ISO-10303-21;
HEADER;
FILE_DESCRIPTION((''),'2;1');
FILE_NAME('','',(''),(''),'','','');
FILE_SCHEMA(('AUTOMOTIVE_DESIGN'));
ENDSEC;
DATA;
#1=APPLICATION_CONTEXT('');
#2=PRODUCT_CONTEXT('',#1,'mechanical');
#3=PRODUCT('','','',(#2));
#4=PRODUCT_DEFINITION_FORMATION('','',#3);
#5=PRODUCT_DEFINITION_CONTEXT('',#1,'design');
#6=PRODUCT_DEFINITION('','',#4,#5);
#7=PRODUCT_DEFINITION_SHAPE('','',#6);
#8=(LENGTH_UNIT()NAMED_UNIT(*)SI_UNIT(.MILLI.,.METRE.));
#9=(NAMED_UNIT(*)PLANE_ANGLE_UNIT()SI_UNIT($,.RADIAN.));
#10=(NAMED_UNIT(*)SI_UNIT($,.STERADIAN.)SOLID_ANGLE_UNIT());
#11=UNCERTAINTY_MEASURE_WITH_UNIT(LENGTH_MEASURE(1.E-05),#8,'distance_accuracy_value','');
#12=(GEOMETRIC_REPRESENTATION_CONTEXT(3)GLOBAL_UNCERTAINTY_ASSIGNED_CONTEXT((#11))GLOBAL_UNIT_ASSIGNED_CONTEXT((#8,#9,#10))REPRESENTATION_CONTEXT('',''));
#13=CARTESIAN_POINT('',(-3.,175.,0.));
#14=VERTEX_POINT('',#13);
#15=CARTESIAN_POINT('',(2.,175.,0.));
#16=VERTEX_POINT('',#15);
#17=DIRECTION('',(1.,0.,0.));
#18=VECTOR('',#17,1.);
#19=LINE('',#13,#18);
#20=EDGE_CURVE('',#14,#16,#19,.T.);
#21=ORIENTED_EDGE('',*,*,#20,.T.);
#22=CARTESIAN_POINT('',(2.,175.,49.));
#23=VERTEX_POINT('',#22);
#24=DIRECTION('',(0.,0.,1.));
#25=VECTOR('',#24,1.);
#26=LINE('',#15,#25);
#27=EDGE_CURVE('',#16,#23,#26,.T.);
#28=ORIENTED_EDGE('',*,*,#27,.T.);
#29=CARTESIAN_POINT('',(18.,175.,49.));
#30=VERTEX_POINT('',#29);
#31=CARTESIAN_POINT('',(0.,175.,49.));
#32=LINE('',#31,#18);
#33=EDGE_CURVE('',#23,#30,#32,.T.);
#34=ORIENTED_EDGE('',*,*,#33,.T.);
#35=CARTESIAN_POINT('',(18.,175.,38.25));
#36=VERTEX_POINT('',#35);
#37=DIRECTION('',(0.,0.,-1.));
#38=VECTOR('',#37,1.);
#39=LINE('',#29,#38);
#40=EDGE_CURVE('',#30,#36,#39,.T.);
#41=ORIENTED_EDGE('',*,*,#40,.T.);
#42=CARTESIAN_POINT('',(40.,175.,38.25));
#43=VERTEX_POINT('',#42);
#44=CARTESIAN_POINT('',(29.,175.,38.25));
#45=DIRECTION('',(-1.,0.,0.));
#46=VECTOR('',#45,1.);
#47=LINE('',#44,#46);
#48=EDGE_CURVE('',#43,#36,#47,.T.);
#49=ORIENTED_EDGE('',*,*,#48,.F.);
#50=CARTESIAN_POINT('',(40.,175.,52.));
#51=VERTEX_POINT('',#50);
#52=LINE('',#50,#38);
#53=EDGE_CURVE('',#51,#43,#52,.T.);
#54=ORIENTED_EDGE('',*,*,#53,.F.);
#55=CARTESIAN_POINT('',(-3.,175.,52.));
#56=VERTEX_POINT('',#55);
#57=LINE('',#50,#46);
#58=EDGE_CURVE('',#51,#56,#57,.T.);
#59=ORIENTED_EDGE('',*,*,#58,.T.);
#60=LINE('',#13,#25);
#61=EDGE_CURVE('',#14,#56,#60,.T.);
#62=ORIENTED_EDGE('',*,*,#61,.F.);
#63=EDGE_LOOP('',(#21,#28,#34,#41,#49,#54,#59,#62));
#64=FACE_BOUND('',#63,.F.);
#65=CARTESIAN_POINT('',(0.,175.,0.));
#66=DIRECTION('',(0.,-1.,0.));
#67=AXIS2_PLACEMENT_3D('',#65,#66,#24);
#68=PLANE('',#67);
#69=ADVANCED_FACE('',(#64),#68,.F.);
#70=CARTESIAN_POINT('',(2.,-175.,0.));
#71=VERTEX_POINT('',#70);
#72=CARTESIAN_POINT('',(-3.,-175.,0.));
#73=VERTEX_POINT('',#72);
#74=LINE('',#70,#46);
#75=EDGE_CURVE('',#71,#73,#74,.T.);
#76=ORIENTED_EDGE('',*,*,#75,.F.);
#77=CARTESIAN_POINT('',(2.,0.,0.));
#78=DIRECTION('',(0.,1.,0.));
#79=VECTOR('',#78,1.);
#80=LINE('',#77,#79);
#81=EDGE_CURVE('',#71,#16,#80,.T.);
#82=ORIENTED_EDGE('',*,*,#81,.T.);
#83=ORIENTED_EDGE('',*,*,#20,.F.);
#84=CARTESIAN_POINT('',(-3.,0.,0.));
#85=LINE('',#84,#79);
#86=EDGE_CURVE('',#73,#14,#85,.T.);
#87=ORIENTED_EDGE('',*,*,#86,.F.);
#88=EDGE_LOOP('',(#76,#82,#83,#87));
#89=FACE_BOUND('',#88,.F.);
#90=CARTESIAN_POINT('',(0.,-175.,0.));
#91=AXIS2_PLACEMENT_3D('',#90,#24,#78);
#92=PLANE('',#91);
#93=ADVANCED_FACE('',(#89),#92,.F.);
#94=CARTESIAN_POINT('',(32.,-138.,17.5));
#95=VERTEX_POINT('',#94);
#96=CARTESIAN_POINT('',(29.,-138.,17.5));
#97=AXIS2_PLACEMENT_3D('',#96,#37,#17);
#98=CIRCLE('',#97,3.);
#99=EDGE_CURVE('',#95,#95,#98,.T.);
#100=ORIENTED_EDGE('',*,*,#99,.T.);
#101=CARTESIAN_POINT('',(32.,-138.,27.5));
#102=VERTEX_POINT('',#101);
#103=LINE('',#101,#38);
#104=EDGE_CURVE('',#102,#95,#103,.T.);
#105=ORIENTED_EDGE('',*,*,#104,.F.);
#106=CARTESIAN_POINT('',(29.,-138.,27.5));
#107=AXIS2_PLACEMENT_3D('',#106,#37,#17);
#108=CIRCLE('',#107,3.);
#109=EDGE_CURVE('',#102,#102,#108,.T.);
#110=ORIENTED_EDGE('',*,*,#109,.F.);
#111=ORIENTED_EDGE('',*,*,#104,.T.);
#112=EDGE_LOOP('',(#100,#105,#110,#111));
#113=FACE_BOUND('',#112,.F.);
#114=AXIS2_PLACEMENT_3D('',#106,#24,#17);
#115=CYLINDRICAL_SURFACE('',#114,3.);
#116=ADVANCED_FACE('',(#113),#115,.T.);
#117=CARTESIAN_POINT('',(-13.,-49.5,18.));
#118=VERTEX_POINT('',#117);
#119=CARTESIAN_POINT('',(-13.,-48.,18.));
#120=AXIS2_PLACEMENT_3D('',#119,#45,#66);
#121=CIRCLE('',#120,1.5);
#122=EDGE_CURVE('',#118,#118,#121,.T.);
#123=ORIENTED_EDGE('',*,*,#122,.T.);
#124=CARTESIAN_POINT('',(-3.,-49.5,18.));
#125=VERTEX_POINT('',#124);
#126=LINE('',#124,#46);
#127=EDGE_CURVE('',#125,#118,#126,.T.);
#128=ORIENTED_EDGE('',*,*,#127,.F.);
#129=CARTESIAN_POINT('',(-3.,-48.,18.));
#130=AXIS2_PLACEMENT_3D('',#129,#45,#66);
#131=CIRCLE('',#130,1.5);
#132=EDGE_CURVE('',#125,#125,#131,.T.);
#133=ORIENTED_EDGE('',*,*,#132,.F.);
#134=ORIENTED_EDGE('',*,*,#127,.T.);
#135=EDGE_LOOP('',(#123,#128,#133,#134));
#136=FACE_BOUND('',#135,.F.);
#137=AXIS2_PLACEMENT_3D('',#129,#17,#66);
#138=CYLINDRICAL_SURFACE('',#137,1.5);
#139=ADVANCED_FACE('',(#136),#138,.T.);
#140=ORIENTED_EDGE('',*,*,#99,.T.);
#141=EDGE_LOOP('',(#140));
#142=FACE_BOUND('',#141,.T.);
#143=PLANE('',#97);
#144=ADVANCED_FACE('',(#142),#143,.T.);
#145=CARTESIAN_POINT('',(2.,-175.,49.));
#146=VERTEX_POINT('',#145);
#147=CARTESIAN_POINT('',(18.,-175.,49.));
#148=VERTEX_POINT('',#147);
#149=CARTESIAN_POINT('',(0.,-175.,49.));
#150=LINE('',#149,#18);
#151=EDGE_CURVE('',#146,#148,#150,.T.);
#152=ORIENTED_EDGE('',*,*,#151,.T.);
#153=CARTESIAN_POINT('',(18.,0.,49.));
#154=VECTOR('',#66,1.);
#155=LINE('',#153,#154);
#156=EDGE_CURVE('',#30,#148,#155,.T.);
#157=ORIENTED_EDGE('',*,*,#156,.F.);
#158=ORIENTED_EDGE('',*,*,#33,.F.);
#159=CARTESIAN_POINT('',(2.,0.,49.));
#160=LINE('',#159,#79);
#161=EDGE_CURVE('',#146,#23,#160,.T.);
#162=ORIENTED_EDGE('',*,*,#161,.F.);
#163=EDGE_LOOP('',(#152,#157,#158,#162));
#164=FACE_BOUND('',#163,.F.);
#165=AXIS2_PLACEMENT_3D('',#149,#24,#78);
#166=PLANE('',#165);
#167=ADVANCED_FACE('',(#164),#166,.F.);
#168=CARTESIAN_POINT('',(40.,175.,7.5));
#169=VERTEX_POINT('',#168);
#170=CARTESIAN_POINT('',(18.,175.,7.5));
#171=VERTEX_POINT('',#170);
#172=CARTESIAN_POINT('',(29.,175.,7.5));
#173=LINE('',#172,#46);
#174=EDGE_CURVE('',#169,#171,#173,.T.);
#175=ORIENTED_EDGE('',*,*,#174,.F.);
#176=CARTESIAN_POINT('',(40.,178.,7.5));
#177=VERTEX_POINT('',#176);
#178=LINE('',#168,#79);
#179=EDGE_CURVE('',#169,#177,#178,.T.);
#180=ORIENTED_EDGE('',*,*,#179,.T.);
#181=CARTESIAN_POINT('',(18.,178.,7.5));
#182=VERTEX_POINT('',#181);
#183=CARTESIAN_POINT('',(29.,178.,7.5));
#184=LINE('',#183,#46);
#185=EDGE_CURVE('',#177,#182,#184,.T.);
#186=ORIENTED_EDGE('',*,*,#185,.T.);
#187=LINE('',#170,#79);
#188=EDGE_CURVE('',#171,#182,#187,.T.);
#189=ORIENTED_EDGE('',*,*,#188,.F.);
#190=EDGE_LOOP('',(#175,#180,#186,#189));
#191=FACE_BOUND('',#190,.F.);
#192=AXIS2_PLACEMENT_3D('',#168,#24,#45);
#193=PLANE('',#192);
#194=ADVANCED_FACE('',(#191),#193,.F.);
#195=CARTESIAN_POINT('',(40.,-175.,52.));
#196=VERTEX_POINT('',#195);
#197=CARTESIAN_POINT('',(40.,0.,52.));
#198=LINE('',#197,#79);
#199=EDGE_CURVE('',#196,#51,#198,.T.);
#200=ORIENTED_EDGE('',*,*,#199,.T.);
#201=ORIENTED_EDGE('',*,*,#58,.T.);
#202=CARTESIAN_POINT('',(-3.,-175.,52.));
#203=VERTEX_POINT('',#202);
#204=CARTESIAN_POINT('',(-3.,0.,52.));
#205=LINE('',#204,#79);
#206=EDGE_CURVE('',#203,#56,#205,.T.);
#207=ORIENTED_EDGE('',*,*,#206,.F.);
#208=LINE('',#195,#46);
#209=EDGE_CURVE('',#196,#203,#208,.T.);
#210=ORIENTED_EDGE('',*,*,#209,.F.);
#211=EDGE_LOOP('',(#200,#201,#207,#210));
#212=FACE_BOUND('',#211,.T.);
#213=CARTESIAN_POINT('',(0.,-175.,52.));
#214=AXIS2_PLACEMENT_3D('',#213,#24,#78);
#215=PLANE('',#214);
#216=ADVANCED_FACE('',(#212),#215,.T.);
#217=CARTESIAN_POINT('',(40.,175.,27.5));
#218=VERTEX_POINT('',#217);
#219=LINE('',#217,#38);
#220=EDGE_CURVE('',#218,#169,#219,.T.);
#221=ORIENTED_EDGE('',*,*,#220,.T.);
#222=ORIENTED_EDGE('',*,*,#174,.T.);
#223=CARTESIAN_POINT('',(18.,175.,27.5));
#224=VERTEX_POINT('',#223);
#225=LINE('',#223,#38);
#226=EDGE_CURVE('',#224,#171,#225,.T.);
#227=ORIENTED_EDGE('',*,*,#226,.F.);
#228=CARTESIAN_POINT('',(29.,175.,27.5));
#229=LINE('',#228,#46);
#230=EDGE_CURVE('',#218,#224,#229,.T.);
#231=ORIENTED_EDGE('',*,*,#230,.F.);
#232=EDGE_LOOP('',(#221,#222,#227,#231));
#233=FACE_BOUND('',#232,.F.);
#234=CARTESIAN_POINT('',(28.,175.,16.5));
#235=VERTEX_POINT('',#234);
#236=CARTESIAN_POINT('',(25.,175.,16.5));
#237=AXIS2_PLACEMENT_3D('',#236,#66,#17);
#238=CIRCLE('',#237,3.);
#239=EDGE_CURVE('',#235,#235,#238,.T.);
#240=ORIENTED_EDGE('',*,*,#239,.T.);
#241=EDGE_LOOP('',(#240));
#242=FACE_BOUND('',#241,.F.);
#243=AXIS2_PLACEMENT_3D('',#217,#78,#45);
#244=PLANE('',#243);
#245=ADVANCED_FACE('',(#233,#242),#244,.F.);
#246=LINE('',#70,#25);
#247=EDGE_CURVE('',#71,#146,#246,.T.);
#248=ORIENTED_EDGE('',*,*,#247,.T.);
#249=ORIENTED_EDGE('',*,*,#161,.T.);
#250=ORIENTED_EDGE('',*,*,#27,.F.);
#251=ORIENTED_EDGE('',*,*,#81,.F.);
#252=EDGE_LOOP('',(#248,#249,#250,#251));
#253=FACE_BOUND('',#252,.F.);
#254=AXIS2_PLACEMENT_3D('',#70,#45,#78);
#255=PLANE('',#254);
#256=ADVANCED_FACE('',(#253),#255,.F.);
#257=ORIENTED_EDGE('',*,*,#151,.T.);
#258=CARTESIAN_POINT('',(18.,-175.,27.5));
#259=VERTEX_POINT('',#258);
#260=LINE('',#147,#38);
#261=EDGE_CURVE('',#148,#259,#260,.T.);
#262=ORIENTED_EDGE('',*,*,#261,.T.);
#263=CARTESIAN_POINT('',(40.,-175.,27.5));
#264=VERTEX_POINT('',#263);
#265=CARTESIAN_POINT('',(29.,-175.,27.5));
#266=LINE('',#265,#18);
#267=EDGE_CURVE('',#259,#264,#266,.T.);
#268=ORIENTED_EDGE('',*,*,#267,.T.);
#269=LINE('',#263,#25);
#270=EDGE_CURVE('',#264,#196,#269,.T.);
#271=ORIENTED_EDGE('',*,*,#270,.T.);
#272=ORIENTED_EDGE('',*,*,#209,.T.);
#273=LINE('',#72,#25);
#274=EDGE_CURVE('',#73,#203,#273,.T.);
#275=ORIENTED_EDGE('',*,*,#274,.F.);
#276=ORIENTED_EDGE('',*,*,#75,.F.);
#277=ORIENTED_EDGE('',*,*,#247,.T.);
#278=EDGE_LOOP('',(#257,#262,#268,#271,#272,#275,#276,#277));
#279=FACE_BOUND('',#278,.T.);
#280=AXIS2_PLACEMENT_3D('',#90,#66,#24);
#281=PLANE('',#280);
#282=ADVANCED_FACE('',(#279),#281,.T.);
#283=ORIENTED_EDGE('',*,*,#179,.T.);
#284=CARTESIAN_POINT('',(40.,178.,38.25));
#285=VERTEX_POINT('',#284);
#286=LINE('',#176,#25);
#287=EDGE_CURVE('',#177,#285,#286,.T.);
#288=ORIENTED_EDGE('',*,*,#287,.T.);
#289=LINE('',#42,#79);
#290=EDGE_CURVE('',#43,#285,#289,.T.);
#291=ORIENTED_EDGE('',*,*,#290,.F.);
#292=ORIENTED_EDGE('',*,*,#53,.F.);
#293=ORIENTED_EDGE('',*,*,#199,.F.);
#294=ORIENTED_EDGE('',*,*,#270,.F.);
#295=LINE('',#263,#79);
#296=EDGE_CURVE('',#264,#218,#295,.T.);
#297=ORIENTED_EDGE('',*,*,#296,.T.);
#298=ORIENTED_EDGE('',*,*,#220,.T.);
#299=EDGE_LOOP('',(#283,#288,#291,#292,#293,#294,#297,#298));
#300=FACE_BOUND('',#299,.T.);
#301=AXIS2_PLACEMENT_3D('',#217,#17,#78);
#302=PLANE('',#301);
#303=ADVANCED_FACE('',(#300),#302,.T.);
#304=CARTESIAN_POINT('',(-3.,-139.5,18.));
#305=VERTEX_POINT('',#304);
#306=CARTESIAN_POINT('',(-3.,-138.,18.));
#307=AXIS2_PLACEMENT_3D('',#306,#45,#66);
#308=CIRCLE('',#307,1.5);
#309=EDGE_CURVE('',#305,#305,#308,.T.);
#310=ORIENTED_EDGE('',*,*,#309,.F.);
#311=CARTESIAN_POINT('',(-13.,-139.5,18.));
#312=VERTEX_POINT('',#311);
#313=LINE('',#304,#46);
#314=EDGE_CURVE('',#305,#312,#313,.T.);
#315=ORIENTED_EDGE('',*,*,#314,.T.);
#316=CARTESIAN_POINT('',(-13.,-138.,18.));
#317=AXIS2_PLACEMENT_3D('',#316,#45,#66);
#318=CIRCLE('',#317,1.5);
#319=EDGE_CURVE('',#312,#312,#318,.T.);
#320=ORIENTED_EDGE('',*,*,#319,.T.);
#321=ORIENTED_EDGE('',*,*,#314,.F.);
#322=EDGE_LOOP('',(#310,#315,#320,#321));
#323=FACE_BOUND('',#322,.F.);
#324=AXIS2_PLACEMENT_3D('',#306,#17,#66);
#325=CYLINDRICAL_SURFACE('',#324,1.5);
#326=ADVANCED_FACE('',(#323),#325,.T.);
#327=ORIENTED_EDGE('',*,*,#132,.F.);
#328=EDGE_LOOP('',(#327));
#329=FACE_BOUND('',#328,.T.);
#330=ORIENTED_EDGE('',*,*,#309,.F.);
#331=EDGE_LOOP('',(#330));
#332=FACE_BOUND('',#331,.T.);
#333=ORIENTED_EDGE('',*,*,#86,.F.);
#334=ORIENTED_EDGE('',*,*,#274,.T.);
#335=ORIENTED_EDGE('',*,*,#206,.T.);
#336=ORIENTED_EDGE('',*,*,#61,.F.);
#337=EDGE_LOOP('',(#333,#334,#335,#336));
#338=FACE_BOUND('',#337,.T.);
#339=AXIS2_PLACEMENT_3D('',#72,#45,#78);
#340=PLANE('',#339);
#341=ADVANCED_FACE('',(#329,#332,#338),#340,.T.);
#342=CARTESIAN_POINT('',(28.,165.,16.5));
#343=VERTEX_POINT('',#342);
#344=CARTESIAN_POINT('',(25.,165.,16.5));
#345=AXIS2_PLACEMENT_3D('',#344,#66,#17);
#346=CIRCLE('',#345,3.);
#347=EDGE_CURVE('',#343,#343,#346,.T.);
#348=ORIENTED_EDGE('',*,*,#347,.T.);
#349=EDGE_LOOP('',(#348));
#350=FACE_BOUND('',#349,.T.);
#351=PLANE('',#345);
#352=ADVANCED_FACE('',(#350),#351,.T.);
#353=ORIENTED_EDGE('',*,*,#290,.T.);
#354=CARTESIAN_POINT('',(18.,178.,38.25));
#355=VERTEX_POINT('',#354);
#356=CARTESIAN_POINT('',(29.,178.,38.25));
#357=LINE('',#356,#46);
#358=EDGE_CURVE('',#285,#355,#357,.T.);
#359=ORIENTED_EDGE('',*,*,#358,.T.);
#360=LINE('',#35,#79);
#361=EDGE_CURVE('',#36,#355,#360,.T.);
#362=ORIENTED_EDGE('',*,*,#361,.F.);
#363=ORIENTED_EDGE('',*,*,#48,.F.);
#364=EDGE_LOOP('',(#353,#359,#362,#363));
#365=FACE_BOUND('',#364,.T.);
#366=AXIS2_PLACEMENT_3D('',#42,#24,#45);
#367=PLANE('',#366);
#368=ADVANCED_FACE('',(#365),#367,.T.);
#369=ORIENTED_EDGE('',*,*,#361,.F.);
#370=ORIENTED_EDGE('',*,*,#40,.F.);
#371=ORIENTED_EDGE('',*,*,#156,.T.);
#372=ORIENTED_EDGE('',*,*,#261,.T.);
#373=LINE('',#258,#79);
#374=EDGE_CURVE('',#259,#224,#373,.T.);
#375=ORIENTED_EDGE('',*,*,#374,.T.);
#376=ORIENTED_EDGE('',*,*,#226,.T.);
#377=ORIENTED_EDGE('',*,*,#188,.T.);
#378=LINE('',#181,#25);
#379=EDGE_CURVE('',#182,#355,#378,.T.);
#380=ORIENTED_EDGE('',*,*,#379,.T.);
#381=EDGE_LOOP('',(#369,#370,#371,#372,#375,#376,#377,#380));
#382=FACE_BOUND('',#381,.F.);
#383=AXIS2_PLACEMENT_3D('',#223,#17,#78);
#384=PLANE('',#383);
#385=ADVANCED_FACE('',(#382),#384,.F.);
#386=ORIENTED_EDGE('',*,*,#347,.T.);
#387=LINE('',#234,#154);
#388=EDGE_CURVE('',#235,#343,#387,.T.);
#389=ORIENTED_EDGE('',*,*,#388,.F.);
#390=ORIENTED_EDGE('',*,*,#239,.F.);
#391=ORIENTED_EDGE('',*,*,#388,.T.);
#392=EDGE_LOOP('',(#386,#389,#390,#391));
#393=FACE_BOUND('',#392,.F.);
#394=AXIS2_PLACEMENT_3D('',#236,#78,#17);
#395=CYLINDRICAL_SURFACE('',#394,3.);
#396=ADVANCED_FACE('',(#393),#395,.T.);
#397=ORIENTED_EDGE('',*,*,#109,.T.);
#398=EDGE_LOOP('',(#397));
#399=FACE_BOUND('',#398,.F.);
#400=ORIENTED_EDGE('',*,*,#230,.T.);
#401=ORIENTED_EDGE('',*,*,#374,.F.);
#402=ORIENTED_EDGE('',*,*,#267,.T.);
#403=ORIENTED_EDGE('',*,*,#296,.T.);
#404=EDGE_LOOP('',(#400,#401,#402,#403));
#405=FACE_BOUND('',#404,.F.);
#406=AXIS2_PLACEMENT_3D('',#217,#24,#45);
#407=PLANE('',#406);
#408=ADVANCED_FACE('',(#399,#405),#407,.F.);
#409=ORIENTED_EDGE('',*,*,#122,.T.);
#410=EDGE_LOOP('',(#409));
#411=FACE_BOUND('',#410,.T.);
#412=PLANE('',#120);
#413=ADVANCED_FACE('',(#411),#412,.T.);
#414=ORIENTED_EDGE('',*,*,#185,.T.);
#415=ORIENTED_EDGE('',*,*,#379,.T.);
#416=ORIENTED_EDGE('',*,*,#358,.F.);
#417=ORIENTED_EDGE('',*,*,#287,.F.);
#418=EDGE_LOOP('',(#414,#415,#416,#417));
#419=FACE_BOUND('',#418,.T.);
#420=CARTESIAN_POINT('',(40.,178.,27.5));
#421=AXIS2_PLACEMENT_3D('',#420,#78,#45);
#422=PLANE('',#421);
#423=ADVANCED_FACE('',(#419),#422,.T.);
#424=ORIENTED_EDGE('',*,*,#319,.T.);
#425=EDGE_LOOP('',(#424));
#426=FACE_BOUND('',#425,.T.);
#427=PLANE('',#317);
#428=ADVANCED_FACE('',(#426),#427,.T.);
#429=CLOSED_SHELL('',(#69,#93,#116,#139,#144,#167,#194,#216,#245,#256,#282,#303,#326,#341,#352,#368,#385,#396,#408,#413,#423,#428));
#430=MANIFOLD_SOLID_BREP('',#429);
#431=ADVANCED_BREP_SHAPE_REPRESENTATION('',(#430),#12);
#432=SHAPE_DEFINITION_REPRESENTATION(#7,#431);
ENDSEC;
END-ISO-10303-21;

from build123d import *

# Parameters (mm, degrees)
F0_W      = 3
F0_H      = 350
F1_DEPTH  = 52
F2_W      = 350
F2_H      = 3
F3_DEPTH  = 40
F4_W      = 22
F4_H      = 350
F5_DEPTH  = 21.5
F6_R      = 1.5
F7_DEPTH  = 10
F8_W      = 22
F8_H      = 10.75
F9_DEPTH  = 3
F10_DEPTH = 20
F11_R     = 3
F12_DEPTH = 10
F13_R     = 3
F14_DEPTH = 10
F15_DEPTH = 2


with BuildPart() as f1:
    # F0 (on Top) → F1 (new body)
    with BuildSketch(Plane.XY):
        with Locations((-1.5, 0)):
            Rectangle(F0_W, F0_H)
    extrude(amount=F1_DEPTH)

    # F2 (on face) → F3 (join)
    with BuildSketch(Plane.YZ):
        with Locations((0, 50.5)):
            Rectangle(F2_W, F2_H)
    extrude(amount=F3_DEPTH)

    # F4 (on face) → F5 (join)
    with BuildSketch(Plane(origin=(0, 0, 49), x_dir=(1, 0, 0), z_dir=(0, 0, -1))):
        with Locations((29, 0)):
            Rectangle(F4_W, F4_H)
    extrude(amount=F5_DEPTH)

    # F6 (on face) → F7 (join)
    with BuildSketch(Plane(origin=(-3, 0, 0), x_dir=(0, -1, 0), z_dir=(-1, 0, 0))):
        with Locations((138, 18)):
            Circle(F6_R)
        with Locations((48, 18)):
            Circle(F6_R)
    extrude(amount=F7_DEPTH)



with BuildPart() as f9:
    # F8 (on face) → F9 (new body)
    with BuildSketch(Plane(origin=(0, 175, 0), x_dir=(-1, 0, 0), z_dir=(0, 1, 0))):
        with Locations((-29, 32.875)):
            Rectangle(F8_W, F8_H)
    extrude(amount=F9_DEPTH)


with BuildPart() as f1_1:
    add(f1.part)
    # F10 (add): a face of the model
    f10_faces = [f9.part.faces().sort_by_distance(p)[0] for p in [
        (29, 176.5, 27.5),
    ]]

    add(f9.part)  # F10 merges F9
    extrude(f10_faces, amount=F10_DEPTH)

    # F11 (on face) → F12 (join)
    with BuildSketch(Plane.XZ.offset(-175)):
        with Locations((25, 16.5)):
            Circle(F11_R)
    extrude(amount=F12_DEPTH)

    # F13 (on face) → F14 (join)
    with BuildSketch(Plane(origin=(0, 0, 27.5), x_dir=(1, 0, 0), z_dir=(0, 0, -1))):
        with Locations((29, 138)):
            Circle(F13_R)
    extrude(amount=F14_DEPTH)

    # F15 (add): a face of the model
    f15_faces = [f1_1.faces().sort_by_distance(p)[0] for p in [
        (0, 0, 24.5),
    ]]
    extrude(f15_faces, amount=F15_DEPTH)


solid = f1_1.part
